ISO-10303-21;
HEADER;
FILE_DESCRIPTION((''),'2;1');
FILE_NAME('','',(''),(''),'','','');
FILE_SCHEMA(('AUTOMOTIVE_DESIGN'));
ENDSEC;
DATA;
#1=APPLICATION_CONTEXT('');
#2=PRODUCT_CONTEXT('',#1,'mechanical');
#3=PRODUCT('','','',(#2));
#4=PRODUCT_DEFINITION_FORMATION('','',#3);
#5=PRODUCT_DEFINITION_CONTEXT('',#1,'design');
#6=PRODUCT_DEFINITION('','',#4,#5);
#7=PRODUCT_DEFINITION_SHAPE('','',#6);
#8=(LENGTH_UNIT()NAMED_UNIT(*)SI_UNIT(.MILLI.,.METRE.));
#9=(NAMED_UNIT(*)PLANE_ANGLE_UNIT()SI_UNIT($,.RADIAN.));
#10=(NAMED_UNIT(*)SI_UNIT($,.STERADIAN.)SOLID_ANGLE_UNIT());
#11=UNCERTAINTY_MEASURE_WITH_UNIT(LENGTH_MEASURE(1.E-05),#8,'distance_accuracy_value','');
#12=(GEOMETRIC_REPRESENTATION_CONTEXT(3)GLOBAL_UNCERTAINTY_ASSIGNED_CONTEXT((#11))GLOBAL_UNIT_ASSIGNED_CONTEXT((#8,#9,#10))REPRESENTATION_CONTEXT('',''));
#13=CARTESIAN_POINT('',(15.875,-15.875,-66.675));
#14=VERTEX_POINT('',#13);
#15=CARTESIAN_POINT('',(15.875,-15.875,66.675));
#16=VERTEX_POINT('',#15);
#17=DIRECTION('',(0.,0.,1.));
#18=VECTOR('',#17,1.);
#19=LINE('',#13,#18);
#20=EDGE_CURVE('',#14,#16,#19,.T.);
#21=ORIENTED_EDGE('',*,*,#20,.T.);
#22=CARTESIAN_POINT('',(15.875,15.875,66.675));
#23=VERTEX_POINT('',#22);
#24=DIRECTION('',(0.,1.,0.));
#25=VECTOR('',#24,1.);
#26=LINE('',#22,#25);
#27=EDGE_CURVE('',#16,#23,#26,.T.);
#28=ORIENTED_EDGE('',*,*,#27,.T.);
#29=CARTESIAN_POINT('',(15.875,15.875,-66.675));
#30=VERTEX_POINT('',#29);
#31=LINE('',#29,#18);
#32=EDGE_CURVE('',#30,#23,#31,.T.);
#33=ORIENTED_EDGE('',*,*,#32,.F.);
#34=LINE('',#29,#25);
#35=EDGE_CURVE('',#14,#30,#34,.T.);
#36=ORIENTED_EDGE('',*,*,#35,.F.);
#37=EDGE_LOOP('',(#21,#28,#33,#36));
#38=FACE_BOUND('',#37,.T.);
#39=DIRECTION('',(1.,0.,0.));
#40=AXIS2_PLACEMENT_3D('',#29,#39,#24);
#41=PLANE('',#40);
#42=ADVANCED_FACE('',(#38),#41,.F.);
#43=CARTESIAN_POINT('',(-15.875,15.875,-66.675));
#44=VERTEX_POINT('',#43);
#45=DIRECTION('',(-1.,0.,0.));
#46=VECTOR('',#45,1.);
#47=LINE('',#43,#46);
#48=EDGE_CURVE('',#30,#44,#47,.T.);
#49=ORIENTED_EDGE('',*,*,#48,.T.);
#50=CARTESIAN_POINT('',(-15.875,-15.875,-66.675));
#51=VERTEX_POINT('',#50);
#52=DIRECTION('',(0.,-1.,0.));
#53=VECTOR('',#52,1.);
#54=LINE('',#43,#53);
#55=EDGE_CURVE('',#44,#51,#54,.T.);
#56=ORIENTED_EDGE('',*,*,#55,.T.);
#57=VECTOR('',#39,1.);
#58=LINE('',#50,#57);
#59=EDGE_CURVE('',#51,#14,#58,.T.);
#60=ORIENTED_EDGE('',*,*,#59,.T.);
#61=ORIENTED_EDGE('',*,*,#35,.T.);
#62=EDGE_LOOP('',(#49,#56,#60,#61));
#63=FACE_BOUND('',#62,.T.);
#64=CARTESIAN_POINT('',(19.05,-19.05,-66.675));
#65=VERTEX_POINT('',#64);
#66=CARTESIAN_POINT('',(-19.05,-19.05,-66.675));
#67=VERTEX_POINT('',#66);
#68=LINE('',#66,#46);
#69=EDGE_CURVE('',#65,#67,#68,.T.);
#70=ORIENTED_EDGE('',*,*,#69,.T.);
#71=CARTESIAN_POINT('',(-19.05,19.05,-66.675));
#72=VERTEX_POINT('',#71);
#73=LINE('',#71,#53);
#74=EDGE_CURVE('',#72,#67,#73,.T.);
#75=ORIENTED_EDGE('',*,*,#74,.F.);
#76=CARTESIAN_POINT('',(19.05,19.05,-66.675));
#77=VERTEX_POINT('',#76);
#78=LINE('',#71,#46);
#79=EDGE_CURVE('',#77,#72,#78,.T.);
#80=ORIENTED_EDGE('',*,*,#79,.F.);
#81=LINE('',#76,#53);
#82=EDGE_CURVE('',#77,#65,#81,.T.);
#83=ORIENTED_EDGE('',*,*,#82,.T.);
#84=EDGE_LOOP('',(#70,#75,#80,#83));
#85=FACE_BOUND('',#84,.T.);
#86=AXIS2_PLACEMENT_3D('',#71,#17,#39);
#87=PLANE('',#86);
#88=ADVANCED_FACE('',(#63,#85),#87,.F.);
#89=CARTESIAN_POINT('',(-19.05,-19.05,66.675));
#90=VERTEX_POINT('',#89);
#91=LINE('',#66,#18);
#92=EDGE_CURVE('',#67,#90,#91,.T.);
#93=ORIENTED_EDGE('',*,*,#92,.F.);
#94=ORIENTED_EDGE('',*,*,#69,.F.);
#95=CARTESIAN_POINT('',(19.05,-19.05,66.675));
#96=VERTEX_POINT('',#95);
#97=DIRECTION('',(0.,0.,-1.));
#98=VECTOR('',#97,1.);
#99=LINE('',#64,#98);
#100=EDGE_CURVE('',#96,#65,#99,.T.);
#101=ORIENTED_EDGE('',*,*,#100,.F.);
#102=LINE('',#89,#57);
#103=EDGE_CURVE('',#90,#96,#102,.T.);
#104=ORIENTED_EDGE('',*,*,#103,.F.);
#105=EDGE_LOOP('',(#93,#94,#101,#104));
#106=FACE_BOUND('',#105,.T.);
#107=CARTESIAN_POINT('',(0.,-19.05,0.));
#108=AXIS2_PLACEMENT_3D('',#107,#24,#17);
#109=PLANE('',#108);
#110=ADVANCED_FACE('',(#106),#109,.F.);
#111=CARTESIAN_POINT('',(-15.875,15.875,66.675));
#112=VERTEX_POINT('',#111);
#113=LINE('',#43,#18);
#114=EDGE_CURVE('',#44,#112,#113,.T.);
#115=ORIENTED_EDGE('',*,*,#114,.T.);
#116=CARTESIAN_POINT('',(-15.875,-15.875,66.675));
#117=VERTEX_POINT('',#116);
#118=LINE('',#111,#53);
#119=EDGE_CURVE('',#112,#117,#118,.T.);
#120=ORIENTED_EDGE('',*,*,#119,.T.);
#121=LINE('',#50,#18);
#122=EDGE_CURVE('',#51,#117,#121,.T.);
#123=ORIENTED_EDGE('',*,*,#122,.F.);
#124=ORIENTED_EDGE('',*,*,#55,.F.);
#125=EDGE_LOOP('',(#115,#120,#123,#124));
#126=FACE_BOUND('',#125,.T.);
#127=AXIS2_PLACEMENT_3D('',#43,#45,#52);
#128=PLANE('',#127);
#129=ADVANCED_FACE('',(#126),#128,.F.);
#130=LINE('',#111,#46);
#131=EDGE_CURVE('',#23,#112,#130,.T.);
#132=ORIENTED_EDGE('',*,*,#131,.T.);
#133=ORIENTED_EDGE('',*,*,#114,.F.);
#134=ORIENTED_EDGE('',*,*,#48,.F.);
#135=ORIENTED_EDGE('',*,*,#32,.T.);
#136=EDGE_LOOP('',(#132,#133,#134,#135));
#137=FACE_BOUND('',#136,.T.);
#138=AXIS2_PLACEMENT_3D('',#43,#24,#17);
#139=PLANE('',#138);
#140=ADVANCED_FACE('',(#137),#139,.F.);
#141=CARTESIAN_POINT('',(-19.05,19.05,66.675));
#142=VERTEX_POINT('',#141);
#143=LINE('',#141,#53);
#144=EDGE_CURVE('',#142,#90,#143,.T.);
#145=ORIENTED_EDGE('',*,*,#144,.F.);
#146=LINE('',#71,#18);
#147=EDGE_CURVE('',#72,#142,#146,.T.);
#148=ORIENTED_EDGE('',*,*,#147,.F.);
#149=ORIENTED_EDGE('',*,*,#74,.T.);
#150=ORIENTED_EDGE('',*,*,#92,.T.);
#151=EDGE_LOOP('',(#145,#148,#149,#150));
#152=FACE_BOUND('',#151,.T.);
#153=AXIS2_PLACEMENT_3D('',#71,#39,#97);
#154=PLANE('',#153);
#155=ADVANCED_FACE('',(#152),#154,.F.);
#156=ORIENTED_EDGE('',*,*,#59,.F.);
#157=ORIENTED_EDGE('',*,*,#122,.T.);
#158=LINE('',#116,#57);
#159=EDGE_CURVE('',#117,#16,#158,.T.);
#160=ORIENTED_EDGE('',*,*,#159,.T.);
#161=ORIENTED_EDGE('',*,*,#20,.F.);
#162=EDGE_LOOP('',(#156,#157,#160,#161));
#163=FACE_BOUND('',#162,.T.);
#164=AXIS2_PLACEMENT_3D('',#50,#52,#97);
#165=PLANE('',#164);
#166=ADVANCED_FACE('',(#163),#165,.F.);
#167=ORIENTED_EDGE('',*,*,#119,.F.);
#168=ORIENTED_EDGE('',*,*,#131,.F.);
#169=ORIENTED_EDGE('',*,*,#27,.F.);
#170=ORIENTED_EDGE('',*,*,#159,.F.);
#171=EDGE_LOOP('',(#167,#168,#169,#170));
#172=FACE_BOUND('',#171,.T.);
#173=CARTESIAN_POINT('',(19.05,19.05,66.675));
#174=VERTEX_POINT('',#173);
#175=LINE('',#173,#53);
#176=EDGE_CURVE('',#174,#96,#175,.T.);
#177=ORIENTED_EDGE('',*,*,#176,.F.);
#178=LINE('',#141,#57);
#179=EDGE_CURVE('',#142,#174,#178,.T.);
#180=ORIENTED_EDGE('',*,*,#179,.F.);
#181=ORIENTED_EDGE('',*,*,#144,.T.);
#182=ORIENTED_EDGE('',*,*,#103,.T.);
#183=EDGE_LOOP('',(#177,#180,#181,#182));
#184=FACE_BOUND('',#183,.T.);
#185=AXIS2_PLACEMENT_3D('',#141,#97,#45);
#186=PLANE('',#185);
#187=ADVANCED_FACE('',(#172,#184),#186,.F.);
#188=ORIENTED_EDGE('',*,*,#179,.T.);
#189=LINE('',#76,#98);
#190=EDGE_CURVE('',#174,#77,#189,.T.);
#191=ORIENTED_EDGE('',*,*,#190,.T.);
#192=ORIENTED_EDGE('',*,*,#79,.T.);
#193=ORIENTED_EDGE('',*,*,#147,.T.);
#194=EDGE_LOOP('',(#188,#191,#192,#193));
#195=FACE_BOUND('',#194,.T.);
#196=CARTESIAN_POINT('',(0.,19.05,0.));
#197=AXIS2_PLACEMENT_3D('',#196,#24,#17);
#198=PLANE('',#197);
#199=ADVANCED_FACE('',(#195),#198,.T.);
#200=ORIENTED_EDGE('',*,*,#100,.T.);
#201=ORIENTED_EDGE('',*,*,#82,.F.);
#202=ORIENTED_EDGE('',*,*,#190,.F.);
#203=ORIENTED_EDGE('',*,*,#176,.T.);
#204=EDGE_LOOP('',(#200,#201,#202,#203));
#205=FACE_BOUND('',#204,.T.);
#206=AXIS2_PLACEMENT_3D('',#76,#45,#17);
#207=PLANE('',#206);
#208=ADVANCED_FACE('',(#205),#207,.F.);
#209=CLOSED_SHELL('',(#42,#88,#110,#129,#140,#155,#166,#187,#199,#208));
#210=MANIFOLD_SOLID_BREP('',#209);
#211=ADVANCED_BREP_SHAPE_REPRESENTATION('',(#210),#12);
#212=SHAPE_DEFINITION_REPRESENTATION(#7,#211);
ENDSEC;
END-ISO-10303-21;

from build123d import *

# Parameters (mm, degrees)
SKETCH1_W           = 38.1
SKETCH1_H           = 133.35
BOSS_EXTRUDE1_DEPTH = 19.05
SKETCH2_W           = 31.75
SKETCH2_H           = 31.75
CUT_EXTRUDE1_DEPTH  = 134.35


with BuildPart() as part:
    # Sketch1 → Boss-Extrude1 (new body, symmetric)
    with BuildSketch(Plane(origin=(0, 0, 0), x_dir=(1, 0, 0), z_dir=(0, 1, 0))):
        Rectangle(SKETCH1_W, SKETCH1_H)
    extrude(amount=BOSS_EXTRUDE1_DEPTH, both=True)

    # Sketch2 → Cut-Extrude1 (cut, through all)
    with BuildSketch(Plane.XY.offset(66.675)):
        Rectangle(SKETCH2_W, SKETCH2_H)
    extrude(amount=-CUT_EXTRUDE1_DEPTH, mode=Mode.SUBTRACT)


solid = part.part
